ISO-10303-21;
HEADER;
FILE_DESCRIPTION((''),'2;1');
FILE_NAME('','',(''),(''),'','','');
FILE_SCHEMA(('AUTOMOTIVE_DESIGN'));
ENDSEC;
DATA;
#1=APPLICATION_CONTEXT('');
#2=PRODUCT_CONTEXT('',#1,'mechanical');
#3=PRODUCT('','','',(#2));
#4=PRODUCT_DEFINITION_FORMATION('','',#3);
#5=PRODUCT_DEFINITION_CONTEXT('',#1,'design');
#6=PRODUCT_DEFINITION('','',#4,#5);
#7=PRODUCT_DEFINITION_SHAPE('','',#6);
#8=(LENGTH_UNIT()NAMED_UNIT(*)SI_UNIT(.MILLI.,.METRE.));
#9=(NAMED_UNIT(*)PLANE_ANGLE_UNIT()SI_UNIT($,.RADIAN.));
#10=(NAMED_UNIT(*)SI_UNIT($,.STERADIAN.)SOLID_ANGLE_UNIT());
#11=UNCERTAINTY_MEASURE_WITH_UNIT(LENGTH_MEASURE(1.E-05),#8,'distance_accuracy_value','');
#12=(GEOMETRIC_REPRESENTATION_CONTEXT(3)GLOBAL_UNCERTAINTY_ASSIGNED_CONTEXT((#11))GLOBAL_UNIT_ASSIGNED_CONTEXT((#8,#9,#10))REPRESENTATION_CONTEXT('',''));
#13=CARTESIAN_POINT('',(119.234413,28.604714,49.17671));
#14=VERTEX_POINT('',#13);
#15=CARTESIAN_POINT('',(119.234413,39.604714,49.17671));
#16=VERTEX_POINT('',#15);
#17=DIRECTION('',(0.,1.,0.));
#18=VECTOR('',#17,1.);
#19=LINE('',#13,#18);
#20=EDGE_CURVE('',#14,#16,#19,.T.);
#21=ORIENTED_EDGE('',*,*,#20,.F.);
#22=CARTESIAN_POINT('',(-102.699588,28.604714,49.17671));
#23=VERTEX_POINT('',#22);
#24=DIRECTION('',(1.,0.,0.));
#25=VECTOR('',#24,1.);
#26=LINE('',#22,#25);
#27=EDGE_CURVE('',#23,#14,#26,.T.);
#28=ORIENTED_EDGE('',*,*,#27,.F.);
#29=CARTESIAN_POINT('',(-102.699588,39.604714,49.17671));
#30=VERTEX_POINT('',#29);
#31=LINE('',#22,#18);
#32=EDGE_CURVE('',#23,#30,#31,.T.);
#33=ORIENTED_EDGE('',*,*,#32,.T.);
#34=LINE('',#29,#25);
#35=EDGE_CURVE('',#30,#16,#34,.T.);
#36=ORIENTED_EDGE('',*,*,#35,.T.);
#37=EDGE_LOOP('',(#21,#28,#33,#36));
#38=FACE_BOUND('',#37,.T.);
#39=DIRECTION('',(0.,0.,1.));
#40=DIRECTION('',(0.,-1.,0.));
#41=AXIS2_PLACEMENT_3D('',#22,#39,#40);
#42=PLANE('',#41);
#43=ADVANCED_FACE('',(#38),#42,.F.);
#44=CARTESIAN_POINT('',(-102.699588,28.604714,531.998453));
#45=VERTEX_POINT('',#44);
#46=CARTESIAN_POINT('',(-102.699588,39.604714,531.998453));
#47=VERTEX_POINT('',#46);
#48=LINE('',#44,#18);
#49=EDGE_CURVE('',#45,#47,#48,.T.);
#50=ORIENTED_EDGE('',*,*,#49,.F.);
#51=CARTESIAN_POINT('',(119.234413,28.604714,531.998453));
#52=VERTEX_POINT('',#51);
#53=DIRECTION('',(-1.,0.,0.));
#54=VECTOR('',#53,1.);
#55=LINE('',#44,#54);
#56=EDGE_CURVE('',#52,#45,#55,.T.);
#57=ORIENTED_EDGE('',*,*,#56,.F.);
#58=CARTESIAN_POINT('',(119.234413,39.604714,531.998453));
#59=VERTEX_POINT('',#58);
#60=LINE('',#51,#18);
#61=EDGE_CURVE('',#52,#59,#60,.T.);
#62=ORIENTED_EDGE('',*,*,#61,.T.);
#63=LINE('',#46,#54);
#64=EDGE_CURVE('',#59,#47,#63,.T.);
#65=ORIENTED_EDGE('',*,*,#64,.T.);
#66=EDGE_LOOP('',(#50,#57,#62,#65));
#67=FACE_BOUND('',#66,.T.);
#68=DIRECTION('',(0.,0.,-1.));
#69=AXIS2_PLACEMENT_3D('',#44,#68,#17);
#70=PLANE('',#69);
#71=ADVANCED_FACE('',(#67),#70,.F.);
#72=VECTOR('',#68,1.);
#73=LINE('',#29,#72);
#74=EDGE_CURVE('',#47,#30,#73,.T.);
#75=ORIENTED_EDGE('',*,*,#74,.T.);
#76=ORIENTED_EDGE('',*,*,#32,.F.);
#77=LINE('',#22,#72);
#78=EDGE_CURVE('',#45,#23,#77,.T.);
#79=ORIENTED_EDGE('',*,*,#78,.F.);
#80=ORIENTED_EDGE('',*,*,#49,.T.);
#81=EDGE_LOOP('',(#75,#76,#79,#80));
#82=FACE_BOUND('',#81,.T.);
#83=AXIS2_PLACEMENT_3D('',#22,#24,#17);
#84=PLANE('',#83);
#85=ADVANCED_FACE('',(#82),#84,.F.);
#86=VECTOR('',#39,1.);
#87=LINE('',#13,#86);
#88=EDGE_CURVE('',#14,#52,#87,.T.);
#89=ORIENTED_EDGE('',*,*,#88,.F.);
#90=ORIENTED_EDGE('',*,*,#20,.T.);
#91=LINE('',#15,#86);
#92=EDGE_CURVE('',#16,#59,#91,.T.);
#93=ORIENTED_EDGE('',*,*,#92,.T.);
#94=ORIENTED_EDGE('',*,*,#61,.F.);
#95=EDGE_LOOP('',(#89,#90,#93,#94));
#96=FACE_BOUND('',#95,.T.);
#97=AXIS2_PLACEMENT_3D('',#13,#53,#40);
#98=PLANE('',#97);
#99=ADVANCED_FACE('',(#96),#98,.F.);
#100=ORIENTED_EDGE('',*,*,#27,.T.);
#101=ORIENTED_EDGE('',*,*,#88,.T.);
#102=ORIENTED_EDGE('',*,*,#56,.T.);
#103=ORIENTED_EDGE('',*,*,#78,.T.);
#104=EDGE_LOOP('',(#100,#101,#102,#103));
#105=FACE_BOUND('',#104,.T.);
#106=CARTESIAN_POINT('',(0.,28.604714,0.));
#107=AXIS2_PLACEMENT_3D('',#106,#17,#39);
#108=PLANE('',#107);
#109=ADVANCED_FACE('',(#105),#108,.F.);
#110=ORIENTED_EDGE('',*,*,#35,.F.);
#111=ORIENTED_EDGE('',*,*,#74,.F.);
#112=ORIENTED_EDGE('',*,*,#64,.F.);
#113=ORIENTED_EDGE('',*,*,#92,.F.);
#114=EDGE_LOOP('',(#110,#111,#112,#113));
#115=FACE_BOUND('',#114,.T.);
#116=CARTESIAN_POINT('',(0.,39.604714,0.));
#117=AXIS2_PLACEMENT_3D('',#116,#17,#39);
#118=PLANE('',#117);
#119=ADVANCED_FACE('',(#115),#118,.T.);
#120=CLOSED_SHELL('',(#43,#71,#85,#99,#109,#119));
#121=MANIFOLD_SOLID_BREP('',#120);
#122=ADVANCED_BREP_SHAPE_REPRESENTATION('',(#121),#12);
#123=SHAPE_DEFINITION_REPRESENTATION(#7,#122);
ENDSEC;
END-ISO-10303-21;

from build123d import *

# Parameters (mm, degrees)
SKETCH1_W           = 221.93400162
SKETCH1_H           = 482.821743015
BOSS_EXTRUDE1_DEPTH = 11


with BuildPart() as part:
    # Sketch1 → Boss-Extrude1 (new body)
    with BuildSketch(Plane.XZ.offset(-39.604714467)):
        with Locations((8.267412509, 290.587581363)):
            Rectangle(SKETCH1_W, SKETCH1_H)
    extrude(amount=BOSS_EXTRUDE1_DEPTH)


solid = part.part
